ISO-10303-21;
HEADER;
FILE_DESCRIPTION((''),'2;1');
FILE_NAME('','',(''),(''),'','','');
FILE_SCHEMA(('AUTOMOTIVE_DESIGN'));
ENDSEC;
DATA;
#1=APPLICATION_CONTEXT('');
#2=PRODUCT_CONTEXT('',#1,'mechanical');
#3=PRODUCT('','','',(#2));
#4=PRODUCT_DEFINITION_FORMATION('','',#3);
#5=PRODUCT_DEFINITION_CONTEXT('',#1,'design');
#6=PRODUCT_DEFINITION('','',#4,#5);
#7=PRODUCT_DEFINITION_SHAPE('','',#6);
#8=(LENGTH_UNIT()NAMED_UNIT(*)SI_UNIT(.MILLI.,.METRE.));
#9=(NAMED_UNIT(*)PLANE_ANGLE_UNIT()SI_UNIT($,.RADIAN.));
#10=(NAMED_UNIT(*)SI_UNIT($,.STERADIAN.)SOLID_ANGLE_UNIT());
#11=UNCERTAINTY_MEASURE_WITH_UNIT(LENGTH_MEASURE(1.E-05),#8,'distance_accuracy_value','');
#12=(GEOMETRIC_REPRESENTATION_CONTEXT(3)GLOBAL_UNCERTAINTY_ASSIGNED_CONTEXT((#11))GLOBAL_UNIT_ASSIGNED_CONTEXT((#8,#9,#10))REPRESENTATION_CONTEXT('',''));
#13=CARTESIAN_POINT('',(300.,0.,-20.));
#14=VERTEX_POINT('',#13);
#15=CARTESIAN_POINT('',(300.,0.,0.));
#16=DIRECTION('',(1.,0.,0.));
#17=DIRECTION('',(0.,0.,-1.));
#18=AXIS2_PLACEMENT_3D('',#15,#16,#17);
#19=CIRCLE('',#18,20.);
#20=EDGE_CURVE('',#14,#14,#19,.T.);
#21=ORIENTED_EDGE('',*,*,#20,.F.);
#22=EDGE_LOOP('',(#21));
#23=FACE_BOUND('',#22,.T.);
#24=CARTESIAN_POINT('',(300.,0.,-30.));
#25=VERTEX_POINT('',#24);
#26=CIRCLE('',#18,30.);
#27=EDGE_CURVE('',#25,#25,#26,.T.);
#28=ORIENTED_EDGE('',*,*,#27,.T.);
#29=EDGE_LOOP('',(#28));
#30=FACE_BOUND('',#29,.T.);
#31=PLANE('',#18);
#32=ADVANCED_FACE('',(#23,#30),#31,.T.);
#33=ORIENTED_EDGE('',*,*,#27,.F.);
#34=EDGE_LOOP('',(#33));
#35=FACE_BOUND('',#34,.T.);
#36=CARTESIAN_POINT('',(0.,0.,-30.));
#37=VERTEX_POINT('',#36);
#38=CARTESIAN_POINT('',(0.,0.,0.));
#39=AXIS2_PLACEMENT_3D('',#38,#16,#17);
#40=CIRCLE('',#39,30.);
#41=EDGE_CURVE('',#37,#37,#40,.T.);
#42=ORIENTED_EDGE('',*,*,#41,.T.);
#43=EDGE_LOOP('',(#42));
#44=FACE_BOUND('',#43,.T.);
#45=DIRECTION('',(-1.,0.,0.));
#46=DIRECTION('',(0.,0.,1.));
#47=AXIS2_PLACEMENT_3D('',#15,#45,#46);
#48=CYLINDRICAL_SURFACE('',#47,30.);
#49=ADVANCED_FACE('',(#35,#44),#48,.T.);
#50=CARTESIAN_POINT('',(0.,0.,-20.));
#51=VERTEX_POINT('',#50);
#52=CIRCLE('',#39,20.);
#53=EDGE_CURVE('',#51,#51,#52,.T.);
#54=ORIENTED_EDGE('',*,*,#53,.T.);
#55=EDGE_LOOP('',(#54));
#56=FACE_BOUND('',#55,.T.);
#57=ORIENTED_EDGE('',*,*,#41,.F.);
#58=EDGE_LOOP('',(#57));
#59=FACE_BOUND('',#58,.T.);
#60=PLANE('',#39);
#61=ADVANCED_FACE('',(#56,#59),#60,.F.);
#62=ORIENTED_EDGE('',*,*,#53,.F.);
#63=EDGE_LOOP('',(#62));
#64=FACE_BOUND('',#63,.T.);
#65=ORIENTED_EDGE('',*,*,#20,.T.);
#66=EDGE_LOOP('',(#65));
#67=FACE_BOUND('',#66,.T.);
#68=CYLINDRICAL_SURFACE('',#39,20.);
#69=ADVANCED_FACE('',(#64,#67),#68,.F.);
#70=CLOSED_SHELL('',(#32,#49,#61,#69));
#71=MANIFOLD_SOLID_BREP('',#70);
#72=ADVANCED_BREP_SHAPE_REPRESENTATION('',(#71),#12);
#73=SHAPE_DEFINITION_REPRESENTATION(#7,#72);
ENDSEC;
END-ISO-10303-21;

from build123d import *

# Parameters (mm, degrees)
SKETCH1_R           = 30
BOSS_EXTRUDE1_DEPTH = 300
SKETCH2_R           = 20
CUT_EXTRUDE1_DEPTH  = 300


with BuildPart() as part:
    # Sketch1 → Boss-Extrude1 (new body)
    with BuildSketch(Plane(origin=(0, 0, 0), x_dir=(0, 0, -1), z_dir=(1, 0, 0))):
        Circle(SKETCH1_R)
    extrude(amount=BOSS_EXTRUDE1_DEPTH)

    # Sketch2 → Cut-Extrude1 (cut)
    with BuildSketch(Plane(origin=(300, 0, 0), x_dir=(0, 0, -1), z_dir=(1, 0, 0))):
        Circle(SKETCH2_R)
    extrude(amount=-CUT_EXTRUDE1_DEPTH, mode=Mode.SUBTRACT)


solid = part.part
